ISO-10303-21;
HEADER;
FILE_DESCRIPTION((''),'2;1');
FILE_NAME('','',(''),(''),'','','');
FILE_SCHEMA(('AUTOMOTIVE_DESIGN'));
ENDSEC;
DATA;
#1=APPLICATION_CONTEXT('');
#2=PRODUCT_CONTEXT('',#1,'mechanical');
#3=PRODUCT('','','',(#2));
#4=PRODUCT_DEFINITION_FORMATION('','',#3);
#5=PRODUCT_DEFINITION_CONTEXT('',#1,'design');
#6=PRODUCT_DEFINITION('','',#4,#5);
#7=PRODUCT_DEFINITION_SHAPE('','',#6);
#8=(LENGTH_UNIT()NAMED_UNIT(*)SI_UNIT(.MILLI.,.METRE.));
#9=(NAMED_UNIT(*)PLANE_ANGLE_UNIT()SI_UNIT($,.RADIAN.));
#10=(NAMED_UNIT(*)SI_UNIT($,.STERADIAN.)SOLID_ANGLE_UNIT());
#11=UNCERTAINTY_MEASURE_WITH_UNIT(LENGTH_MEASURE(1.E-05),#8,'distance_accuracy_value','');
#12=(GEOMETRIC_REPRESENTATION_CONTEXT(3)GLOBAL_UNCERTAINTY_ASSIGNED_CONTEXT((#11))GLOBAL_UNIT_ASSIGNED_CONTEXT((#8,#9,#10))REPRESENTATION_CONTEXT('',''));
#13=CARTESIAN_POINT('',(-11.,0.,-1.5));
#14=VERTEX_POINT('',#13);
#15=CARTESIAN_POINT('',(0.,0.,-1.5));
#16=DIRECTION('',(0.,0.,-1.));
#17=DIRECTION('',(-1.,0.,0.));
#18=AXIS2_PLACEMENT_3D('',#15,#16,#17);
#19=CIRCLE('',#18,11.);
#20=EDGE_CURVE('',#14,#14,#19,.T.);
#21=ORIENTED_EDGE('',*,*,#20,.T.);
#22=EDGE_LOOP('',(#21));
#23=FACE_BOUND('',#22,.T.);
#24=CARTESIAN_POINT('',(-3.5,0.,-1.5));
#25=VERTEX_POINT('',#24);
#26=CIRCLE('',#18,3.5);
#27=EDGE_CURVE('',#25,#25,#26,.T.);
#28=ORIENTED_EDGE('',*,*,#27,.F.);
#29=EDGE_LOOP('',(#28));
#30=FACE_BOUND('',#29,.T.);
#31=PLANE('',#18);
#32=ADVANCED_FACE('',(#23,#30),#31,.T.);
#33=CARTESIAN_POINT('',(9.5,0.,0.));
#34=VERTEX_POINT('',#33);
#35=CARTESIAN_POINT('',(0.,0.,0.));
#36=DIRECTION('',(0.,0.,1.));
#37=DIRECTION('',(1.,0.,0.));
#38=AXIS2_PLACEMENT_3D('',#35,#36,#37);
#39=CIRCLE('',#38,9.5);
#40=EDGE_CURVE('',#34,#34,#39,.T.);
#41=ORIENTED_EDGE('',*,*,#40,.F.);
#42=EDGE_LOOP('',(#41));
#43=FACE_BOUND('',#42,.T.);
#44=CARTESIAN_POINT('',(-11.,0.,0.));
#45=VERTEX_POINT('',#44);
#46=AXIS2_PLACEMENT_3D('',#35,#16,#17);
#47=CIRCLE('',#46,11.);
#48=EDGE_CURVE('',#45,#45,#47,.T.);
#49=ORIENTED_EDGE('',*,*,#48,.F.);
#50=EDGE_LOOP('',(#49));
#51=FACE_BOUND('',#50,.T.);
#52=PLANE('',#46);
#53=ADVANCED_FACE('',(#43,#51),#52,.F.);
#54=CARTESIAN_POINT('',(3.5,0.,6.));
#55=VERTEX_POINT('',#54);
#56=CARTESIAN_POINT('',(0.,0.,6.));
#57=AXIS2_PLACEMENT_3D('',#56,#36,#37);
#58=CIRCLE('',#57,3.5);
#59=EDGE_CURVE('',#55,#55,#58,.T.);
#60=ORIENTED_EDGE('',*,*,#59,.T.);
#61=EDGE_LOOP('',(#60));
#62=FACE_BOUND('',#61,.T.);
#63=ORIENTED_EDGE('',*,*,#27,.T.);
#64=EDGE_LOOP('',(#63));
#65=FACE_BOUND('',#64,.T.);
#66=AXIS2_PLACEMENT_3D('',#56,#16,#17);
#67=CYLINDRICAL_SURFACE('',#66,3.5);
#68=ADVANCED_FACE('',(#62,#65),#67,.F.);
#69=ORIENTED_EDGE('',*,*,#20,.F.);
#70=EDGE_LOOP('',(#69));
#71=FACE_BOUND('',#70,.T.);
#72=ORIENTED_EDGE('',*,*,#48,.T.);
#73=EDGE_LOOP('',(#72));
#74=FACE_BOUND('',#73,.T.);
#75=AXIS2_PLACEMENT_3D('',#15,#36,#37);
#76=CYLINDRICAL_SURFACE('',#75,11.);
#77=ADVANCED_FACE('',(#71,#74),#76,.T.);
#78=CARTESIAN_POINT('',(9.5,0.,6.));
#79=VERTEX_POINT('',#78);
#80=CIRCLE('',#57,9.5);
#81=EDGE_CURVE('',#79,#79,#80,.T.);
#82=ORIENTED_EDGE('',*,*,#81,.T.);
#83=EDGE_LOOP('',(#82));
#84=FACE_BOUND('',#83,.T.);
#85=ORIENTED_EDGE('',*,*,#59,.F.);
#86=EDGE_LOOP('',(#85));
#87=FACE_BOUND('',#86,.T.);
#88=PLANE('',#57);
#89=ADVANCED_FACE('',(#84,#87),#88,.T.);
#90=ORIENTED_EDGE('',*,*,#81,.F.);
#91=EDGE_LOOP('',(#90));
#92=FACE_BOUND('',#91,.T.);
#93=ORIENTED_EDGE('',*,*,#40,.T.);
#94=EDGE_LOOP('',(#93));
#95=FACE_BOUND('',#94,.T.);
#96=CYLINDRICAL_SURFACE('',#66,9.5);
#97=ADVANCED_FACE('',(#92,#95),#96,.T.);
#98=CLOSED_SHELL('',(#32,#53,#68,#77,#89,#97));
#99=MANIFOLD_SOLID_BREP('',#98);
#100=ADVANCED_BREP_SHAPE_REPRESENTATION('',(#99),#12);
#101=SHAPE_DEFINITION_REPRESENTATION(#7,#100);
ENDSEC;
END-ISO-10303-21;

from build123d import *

# Parameters (mm, degrees)
SKETCH_1_R      = 9.5
SKETCH_1_R_2    = 3.5
EXTRUDE_1_DEPTH = 6
SKETCH_2_R      = 11
SKETCH_2_R_2    = 3.5
EXTRUDE_2_DEPTH = 1.5


with BuildPart() as part:
    # 草圖1 → 填料-伸長1 (new body)
    with BuildSketch(Plane.XY):
        Circle(SKETCH_1_R)
        Circle(SKETCH_1_R_2, mode=Mode.SUBTRACT)
    extrude(amount=EXTRUDE_1_DEPTH)

    # 草圖2 → 填料-伸長2 (add)
    with BuildSketch(Plane(origin=(0, 0, 0), x_dir=(-1, 0, 0), z_dir=(0, 0, -1))):
        Circle(SKETCH_2_R)
        Circle(SKETCH_2_R_2, mode=Mode.SUBTRACT)
    extrude(amount=EXTRUDE_2_DEPTH)


solid = part.part
